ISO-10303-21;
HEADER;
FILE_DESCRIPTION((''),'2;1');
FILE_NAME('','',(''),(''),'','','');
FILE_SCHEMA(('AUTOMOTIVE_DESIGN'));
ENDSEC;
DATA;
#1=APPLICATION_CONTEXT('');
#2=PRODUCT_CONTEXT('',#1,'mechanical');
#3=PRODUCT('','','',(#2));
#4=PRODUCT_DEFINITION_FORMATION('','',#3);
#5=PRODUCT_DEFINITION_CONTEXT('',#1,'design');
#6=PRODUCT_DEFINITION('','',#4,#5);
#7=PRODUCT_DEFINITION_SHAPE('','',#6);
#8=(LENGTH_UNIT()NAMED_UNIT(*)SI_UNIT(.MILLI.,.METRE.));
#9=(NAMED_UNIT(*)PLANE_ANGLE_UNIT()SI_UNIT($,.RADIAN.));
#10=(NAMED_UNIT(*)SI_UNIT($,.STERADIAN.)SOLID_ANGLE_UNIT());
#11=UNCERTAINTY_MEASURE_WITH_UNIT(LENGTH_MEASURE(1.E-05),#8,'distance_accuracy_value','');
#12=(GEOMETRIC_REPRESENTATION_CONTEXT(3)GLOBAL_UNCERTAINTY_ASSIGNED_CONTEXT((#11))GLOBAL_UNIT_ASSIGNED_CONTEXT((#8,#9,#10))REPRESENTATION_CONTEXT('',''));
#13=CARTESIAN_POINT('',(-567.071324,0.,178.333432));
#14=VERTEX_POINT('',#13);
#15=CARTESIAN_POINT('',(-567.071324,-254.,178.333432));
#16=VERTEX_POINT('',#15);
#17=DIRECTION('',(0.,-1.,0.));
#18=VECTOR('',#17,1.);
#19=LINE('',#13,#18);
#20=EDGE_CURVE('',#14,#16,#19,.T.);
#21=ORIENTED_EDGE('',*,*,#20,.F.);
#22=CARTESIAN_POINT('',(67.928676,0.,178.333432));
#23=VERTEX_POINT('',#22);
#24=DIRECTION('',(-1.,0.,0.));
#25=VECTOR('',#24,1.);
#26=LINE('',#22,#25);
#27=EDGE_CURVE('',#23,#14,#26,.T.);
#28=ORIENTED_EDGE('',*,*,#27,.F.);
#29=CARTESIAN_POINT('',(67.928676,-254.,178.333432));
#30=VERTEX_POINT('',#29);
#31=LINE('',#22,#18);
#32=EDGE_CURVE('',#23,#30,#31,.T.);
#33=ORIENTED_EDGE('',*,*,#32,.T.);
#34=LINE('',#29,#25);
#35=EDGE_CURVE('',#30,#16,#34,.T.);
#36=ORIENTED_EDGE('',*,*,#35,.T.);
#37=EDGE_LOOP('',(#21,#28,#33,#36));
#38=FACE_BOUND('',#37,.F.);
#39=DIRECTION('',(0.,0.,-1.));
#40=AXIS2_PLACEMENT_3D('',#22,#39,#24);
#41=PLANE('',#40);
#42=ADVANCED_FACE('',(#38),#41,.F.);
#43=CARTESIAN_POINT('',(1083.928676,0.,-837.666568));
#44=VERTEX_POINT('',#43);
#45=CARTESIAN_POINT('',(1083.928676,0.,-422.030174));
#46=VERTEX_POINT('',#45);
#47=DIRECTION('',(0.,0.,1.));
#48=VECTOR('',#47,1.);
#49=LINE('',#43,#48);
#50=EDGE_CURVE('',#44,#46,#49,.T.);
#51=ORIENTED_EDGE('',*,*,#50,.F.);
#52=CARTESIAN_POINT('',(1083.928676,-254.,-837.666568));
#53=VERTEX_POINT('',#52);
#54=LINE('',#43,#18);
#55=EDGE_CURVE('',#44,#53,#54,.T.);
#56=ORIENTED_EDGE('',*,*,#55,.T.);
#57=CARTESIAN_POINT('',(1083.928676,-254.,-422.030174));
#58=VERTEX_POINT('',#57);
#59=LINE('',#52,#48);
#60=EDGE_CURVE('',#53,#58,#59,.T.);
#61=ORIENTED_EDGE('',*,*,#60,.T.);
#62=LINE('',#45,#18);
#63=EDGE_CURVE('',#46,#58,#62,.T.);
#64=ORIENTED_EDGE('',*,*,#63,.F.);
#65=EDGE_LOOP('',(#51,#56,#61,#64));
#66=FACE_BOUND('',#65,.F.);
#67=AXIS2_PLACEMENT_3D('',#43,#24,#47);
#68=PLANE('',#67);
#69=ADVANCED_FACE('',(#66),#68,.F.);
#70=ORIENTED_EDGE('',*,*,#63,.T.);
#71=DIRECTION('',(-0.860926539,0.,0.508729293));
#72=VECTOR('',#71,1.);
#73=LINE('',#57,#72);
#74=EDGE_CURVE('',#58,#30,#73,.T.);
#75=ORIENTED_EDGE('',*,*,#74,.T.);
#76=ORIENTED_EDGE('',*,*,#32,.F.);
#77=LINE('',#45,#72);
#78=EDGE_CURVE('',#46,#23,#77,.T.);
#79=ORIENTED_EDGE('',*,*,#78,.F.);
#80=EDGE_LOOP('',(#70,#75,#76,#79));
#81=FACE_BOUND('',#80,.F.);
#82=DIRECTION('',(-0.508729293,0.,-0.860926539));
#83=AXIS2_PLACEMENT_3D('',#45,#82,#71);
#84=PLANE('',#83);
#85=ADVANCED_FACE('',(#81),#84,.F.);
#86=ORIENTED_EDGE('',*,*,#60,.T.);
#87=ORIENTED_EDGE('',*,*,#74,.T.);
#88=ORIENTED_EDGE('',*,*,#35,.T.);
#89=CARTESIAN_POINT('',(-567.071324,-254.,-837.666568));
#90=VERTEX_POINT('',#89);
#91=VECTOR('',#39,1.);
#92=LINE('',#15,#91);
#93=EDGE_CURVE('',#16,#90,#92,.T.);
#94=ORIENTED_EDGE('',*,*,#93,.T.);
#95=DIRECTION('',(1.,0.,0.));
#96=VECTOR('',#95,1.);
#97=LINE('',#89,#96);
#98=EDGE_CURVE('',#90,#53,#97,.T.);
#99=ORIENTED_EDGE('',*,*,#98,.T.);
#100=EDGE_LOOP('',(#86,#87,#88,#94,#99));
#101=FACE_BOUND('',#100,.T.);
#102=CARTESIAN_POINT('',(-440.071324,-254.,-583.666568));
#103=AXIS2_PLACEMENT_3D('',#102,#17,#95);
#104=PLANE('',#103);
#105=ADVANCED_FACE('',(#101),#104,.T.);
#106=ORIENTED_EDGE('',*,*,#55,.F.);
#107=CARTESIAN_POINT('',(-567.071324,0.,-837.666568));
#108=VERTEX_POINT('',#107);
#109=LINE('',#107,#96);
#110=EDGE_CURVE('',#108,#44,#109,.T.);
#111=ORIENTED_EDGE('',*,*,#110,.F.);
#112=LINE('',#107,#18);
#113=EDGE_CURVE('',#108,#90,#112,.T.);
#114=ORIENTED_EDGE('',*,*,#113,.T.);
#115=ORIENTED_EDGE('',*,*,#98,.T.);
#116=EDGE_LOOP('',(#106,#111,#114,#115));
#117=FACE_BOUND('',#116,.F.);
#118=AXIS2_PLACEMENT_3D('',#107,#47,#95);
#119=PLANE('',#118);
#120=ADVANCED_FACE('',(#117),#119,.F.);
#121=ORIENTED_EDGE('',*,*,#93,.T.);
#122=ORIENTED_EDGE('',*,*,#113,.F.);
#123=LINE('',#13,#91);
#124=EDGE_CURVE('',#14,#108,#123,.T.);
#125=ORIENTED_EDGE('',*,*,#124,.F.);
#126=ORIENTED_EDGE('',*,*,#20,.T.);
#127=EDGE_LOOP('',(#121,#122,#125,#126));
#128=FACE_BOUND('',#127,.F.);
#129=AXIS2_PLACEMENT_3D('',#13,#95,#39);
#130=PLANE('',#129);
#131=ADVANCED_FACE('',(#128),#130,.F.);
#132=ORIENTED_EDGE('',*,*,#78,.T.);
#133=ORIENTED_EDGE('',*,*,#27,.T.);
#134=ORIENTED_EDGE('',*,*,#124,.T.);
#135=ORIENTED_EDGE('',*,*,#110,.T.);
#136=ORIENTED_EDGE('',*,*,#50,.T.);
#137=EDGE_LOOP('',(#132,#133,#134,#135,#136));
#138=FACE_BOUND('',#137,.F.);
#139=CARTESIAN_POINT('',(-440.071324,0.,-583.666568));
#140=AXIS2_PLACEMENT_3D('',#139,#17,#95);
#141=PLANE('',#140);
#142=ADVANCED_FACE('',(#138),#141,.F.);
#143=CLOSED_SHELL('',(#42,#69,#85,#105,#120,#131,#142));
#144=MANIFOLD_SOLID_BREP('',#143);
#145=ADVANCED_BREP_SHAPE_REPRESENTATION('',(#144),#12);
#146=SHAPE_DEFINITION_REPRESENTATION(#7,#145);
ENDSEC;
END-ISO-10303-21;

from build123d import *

# Parameters (mm, degrees)
F1_DEPTH = 254


with BuildPart() as f1:
    # F0 (on Front) → F1 (new body)
    with BuildSketch(Plane.XZ):
        Polygon((-313.071324, -329.666568), (-567.071324, -329.666568), (-567.071324, -837.666568), (-313.071324, -837.666568), (-313.071324, -765.095145), (-313.071324, -638.095145), (-313.071324, -438.523722), align=None)
        Polygon((-313.071324, -638.095145), (-313.071324, -765.095145), (448.928676, -765.095145), (650.149455, -765.095145), (650.149455, -638.095145), align=None)
        Polygon((67.928676, 178.333432), (-567.071324, 178.333432), (-567.071324, -329.666568), (-313.071324, -329.666568), (-313.071324, -438.523722), (-313.071324, -638.095145), (650.149455, -638.095145), (650.149455, -765.095145), (448.928676, -765.095145), (-313.071324, -765.095145), (-313.071324, -837.666568), (1083.928676, -837.666568), (1083.928676, -422.030174), align=None)
    extrude(amount=F1_DEPTH)


solid = f1.part
